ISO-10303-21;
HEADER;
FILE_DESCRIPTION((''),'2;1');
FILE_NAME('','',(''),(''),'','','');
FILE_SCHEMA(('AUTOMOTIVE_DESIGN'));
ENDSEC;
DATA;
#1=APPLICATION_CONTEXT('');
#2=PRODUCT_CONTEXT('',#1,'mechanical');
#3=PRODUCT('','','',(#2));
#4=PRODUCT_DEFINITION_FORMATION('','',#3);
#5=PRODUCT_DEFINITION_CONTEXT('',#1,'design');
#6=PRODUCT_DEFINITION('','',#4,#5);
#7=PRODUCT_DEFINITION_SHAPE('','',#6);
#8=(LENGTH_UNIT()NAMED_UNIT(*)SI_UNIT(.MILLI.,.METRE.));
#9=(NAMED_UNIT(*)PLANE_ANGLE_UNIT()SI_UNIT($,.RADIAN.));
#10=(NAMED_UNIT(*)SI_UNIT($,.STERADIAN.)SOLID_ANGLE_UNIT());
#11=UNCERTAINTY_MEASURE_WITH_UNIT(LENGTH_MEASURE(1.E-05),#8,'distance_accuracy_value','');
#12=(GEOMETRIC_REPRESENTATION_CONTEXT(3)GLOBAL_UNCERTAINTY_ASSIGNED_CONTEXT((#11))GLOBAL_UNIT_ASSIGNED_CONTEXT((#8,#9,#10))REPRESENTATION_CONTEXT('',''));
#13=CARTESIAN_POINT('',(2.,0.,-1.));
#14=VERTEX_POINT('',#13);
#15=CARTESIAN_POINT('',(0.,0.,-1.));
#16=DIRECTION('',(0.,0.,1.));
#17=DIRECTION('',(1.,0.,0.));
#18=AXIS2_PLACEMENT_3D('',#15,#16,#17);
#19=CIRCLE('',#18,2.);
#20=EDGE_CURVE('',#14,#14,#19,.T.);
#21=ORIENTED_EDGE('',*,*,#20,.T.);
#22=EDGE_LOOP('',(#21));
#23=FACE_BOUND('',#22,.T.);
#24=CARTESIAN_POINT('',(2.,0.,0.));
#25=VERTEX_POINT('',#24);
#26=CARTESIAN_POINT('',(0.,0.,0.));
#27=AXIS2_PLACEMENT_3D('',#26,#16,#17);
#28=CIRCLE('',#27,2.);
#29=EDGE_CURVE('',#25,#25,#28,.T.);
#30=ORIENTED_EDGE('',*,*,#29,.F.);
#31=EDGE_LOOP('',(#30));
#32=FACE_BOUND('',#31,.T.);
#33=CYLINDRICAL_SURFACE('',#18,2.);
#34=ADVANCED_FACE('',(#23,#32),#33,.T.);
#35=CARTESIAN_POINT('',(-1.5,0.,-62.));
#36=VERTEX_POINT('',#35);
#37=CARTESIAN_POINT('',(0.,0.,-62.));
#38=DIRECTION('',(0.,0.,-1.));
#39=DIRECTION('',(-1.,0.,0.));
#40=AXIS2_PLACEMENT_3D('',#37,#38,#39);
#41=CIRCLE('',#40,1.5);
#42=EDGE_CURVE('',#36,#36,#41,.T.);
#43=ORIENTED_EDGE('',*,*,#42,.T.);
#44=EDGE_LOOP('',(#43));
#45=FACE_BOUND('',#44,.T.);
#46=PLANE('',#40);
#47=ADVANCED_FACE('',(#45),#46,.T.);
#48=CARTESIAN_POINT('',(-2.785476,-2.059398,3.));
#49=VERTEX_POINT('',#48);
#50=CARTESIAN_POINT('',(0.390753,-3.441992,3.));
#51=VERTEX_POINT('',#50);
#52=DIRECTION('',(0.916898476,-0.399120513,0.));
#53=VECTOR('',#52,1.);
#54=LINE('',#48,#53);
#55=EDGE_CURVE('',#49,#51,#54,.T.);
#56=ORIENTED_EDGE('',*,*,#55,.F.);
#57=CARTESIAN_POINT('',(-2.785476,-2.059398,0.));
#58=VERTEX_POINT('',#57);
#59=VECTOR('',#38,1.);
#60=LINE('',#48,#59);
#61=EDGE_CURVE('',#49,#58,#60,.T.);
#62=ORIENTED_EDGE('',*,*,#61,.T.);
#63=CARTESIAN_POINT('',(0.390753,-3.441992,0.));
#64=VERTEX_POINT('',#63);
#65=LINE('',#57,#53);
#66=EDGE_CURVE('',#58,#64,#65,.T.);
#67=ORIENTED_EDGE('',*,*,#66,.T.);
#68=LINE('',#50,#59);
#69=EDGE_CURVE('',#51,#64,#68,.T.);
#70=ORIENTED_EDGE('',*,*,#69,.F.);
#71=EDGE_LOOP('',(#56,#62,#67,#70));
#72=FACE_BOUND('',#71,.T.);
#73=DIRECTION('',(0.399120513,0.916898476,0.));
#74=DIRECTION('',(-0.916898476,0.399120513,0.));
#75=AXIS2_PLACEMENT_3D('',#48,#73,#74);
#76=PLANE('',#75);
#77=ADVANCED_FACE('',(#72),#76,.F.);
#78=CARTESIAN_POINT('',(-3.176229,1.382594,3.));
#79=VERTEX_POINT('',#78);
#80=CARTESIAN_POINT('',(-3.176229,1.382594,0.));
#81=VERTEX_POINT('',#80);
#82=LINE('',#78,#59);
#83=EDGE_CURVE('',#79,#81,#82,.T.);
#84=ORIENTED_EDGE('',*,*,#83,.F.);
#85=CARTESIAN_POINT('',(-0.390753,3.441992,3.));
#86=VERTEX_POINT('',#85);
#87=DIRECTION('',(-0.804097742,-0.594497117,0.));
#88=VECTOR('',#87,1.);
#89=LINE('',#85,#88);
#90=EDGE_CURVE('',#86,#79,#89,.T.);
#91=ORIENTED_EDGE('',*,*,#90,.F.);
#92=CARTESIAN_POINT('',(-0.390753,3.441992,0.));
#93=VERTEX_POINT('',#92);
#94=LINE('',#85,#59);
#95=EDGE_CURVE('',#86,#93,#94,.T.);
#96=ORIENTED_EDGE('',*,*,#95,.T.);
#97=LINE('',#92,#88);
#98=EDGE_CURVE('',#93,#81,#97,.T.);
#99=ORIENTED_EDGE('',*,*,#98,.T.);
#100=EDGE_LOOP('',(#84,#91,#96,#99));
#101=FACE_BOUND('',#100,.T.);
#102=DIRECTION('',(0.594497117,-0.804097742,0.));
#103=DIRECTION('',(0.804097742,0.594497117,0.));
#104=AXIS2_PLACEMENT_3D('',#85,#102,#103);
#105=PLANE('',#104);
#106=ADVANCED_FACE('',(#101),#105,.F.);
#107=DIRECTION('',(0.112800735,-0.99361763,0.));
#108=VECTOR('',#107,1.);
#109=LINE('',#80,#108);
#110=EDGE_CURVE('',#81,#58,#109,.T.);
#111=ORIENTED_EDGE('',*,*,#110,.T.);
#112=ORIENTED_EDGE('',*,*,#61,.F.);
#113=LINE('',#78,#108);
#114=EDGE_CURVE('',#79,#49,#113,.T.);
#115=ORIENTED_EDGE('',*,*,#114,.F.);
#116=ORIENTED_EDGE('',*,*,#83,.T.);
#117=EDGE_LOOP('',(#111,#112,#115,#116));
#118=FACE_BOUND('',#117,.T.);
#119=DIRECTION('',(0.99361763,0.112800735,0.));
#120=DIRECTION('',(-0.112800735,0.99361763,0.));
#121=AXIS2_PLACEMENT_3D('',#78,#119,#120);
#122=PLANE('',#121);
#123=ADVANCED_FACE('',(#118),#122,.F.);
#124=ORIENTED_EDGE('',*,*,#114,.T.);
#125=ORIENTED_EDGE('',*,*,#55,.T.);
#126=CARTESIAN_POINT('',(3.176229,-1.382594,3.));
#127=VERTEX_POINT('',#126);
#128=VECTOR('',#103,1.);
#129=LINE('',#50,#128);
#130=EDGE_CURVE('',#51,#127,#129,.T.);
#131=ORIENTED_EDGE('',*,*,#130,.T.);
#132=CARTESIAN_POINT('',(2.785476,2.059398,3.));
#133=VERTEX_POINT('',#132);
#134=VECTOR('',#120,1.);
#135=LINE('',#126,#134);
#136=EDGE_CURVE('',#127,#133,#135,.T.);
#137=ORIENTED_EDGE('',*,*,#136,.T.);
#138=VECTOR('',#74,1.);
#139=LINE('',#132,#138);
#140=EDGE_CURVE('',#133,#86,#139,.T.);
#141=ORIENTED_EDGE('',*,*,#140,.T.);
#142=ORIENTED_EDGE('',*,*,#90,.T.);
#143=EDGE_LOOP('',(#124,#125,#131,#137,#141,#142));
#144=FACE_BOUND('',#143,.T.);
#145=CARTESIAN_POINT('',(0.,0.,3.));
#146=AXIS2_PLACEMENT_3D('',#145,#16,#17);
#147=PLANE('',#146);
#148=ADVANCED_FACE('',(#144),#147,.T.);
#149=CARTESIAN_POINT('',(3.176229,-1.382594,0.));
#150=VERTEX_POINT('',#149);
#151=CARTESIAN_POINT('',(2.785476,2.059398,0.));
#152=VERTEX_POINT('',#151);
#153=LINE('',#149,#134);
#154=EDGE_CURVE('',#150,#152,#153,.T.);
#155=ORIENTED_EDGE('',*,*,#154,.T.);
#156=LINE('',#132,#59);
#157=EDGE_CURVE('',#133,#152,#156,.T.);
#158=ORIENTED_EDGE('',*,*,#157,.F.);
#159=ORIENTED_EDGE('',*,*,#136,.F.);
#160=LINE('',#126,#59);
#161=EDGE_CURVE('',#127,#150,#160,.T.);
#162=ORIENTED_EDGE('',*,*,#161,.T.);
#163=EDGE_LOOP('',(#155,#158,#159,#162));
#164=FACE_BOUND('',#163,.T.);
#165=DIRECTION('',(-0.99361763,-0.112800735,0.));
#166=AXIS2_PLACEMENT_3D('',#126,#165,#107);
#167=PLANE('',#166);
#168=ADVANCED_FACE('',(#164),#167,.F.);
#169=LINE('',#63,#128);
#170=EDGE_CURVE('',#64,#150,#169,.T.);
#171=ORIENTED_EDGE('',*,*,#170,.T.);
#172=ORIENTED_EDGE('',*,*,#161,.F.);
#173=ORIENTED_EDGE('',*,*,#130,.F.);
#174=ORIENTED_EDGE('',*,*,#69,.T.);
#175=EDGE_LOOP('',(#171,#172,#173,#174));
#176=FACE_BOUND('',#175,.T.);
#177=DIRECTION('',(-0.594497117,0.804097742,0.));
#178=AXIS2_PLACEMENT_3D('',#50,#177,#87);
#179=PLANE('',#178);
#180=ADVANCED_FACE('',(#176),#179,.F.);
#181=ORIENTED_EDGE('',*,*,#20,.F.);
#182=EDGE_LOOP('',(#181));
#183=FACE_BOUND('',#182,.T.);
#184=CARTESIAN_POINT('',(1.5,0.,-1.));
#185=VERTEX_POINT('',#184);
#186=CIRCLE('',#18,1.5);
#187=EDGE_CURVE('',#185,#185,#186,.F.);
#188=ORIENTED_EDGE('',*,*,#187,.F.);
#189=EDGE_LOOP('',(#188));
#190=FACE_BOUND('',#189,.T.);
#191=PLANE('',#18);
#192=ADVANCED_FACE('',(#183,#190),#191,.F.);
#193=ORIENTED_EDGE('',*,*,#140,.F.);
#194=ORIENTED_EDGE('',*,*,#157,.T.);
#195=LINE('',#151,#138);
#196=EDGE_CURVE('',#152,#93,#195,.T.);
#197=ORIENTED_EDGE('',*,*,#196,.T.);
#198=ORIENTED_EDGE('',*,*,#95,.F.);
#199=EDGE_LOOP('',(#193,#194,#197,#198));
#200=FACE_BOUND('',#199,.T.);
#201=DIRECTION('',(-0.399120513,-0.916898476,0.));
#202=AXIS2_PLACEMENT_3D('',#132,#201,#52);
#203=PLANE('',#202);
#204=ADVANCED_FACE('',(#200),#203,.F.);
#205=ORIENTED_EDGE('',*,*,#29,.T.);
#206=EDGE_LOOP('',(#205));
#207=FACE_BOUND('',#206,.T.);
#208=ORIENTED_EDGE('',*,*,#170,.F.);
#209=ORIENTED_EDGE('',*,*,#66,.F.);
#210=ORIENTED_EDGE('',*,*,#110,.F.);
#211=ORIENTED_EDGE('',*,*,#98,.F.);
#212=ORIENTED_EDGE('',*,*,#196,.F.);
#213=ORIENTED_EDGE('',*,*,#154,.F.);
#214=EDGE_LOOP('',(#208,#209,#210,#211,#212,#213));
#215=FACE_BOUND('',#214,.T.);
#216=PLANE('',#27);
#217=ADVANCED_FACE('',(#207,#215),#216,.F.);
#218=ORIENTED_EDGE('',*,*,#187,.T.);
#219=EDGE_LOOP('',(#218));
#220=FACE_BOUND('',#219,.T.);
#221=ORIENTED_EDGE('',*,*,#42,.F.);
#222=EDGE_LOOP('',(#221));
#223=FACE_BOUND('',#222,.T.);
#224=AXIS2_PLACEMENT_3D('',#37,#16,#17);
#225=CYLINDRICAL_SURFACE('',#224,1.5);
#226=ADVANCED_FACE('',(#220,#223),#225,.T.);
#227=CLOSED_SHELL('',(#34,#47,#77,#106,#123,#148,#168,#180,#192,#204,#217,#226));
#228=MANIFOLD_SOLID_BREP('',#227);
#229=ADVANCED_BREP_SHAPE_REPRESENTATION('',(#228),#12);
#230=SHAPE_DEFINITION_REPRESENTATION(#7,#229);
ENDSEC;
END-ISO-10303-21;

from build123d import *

# Parameters (mm, degrees)
BOSS_EXTRUDE1_DEPTH = 3
SKETCH2_R           = 2
BOSS_EXTRUDE2_DEPTH = 1
SKETCH4_R           = 1.5
BOSS_EXTRUDE3_DEPTH = 61


with BuildPart() as part:
    # Sketch1 → Boss-Extrude1 (new body)
    with BuildSketch(Plane.XY):
        Polygon((-3.176229493, 1.382594015), (-2.785476286, -2.059398422), (0.390753207, -3.441992436), (3.176229493, -1.382594015), (2.785476286, 2.059398422), (-0.390753207, 3.441992436), align=None)
    extrude(amount=BOSS_EXTRUDE1_DEPTH)

    # Sketch2 → Boss-Extrude2 (add)
    with BuildSketch(Plane.XY):
        Circle(SKETCH2_R)
    extrude(amount=-BOSS_EXTRUDE2_DEPTH)

    # Sketch4 → Boss-Extrude3 (add)
    with BuildSketch(Plane(origin=(0, 0, -1), x_dir=(-1, 0, 0), z_dir=(0, 0, -1))):
        Circle(SKETCH4_R)
    extrude(amount=BOSS_EXTRUDE3_DEPTH)


solid = part.part
